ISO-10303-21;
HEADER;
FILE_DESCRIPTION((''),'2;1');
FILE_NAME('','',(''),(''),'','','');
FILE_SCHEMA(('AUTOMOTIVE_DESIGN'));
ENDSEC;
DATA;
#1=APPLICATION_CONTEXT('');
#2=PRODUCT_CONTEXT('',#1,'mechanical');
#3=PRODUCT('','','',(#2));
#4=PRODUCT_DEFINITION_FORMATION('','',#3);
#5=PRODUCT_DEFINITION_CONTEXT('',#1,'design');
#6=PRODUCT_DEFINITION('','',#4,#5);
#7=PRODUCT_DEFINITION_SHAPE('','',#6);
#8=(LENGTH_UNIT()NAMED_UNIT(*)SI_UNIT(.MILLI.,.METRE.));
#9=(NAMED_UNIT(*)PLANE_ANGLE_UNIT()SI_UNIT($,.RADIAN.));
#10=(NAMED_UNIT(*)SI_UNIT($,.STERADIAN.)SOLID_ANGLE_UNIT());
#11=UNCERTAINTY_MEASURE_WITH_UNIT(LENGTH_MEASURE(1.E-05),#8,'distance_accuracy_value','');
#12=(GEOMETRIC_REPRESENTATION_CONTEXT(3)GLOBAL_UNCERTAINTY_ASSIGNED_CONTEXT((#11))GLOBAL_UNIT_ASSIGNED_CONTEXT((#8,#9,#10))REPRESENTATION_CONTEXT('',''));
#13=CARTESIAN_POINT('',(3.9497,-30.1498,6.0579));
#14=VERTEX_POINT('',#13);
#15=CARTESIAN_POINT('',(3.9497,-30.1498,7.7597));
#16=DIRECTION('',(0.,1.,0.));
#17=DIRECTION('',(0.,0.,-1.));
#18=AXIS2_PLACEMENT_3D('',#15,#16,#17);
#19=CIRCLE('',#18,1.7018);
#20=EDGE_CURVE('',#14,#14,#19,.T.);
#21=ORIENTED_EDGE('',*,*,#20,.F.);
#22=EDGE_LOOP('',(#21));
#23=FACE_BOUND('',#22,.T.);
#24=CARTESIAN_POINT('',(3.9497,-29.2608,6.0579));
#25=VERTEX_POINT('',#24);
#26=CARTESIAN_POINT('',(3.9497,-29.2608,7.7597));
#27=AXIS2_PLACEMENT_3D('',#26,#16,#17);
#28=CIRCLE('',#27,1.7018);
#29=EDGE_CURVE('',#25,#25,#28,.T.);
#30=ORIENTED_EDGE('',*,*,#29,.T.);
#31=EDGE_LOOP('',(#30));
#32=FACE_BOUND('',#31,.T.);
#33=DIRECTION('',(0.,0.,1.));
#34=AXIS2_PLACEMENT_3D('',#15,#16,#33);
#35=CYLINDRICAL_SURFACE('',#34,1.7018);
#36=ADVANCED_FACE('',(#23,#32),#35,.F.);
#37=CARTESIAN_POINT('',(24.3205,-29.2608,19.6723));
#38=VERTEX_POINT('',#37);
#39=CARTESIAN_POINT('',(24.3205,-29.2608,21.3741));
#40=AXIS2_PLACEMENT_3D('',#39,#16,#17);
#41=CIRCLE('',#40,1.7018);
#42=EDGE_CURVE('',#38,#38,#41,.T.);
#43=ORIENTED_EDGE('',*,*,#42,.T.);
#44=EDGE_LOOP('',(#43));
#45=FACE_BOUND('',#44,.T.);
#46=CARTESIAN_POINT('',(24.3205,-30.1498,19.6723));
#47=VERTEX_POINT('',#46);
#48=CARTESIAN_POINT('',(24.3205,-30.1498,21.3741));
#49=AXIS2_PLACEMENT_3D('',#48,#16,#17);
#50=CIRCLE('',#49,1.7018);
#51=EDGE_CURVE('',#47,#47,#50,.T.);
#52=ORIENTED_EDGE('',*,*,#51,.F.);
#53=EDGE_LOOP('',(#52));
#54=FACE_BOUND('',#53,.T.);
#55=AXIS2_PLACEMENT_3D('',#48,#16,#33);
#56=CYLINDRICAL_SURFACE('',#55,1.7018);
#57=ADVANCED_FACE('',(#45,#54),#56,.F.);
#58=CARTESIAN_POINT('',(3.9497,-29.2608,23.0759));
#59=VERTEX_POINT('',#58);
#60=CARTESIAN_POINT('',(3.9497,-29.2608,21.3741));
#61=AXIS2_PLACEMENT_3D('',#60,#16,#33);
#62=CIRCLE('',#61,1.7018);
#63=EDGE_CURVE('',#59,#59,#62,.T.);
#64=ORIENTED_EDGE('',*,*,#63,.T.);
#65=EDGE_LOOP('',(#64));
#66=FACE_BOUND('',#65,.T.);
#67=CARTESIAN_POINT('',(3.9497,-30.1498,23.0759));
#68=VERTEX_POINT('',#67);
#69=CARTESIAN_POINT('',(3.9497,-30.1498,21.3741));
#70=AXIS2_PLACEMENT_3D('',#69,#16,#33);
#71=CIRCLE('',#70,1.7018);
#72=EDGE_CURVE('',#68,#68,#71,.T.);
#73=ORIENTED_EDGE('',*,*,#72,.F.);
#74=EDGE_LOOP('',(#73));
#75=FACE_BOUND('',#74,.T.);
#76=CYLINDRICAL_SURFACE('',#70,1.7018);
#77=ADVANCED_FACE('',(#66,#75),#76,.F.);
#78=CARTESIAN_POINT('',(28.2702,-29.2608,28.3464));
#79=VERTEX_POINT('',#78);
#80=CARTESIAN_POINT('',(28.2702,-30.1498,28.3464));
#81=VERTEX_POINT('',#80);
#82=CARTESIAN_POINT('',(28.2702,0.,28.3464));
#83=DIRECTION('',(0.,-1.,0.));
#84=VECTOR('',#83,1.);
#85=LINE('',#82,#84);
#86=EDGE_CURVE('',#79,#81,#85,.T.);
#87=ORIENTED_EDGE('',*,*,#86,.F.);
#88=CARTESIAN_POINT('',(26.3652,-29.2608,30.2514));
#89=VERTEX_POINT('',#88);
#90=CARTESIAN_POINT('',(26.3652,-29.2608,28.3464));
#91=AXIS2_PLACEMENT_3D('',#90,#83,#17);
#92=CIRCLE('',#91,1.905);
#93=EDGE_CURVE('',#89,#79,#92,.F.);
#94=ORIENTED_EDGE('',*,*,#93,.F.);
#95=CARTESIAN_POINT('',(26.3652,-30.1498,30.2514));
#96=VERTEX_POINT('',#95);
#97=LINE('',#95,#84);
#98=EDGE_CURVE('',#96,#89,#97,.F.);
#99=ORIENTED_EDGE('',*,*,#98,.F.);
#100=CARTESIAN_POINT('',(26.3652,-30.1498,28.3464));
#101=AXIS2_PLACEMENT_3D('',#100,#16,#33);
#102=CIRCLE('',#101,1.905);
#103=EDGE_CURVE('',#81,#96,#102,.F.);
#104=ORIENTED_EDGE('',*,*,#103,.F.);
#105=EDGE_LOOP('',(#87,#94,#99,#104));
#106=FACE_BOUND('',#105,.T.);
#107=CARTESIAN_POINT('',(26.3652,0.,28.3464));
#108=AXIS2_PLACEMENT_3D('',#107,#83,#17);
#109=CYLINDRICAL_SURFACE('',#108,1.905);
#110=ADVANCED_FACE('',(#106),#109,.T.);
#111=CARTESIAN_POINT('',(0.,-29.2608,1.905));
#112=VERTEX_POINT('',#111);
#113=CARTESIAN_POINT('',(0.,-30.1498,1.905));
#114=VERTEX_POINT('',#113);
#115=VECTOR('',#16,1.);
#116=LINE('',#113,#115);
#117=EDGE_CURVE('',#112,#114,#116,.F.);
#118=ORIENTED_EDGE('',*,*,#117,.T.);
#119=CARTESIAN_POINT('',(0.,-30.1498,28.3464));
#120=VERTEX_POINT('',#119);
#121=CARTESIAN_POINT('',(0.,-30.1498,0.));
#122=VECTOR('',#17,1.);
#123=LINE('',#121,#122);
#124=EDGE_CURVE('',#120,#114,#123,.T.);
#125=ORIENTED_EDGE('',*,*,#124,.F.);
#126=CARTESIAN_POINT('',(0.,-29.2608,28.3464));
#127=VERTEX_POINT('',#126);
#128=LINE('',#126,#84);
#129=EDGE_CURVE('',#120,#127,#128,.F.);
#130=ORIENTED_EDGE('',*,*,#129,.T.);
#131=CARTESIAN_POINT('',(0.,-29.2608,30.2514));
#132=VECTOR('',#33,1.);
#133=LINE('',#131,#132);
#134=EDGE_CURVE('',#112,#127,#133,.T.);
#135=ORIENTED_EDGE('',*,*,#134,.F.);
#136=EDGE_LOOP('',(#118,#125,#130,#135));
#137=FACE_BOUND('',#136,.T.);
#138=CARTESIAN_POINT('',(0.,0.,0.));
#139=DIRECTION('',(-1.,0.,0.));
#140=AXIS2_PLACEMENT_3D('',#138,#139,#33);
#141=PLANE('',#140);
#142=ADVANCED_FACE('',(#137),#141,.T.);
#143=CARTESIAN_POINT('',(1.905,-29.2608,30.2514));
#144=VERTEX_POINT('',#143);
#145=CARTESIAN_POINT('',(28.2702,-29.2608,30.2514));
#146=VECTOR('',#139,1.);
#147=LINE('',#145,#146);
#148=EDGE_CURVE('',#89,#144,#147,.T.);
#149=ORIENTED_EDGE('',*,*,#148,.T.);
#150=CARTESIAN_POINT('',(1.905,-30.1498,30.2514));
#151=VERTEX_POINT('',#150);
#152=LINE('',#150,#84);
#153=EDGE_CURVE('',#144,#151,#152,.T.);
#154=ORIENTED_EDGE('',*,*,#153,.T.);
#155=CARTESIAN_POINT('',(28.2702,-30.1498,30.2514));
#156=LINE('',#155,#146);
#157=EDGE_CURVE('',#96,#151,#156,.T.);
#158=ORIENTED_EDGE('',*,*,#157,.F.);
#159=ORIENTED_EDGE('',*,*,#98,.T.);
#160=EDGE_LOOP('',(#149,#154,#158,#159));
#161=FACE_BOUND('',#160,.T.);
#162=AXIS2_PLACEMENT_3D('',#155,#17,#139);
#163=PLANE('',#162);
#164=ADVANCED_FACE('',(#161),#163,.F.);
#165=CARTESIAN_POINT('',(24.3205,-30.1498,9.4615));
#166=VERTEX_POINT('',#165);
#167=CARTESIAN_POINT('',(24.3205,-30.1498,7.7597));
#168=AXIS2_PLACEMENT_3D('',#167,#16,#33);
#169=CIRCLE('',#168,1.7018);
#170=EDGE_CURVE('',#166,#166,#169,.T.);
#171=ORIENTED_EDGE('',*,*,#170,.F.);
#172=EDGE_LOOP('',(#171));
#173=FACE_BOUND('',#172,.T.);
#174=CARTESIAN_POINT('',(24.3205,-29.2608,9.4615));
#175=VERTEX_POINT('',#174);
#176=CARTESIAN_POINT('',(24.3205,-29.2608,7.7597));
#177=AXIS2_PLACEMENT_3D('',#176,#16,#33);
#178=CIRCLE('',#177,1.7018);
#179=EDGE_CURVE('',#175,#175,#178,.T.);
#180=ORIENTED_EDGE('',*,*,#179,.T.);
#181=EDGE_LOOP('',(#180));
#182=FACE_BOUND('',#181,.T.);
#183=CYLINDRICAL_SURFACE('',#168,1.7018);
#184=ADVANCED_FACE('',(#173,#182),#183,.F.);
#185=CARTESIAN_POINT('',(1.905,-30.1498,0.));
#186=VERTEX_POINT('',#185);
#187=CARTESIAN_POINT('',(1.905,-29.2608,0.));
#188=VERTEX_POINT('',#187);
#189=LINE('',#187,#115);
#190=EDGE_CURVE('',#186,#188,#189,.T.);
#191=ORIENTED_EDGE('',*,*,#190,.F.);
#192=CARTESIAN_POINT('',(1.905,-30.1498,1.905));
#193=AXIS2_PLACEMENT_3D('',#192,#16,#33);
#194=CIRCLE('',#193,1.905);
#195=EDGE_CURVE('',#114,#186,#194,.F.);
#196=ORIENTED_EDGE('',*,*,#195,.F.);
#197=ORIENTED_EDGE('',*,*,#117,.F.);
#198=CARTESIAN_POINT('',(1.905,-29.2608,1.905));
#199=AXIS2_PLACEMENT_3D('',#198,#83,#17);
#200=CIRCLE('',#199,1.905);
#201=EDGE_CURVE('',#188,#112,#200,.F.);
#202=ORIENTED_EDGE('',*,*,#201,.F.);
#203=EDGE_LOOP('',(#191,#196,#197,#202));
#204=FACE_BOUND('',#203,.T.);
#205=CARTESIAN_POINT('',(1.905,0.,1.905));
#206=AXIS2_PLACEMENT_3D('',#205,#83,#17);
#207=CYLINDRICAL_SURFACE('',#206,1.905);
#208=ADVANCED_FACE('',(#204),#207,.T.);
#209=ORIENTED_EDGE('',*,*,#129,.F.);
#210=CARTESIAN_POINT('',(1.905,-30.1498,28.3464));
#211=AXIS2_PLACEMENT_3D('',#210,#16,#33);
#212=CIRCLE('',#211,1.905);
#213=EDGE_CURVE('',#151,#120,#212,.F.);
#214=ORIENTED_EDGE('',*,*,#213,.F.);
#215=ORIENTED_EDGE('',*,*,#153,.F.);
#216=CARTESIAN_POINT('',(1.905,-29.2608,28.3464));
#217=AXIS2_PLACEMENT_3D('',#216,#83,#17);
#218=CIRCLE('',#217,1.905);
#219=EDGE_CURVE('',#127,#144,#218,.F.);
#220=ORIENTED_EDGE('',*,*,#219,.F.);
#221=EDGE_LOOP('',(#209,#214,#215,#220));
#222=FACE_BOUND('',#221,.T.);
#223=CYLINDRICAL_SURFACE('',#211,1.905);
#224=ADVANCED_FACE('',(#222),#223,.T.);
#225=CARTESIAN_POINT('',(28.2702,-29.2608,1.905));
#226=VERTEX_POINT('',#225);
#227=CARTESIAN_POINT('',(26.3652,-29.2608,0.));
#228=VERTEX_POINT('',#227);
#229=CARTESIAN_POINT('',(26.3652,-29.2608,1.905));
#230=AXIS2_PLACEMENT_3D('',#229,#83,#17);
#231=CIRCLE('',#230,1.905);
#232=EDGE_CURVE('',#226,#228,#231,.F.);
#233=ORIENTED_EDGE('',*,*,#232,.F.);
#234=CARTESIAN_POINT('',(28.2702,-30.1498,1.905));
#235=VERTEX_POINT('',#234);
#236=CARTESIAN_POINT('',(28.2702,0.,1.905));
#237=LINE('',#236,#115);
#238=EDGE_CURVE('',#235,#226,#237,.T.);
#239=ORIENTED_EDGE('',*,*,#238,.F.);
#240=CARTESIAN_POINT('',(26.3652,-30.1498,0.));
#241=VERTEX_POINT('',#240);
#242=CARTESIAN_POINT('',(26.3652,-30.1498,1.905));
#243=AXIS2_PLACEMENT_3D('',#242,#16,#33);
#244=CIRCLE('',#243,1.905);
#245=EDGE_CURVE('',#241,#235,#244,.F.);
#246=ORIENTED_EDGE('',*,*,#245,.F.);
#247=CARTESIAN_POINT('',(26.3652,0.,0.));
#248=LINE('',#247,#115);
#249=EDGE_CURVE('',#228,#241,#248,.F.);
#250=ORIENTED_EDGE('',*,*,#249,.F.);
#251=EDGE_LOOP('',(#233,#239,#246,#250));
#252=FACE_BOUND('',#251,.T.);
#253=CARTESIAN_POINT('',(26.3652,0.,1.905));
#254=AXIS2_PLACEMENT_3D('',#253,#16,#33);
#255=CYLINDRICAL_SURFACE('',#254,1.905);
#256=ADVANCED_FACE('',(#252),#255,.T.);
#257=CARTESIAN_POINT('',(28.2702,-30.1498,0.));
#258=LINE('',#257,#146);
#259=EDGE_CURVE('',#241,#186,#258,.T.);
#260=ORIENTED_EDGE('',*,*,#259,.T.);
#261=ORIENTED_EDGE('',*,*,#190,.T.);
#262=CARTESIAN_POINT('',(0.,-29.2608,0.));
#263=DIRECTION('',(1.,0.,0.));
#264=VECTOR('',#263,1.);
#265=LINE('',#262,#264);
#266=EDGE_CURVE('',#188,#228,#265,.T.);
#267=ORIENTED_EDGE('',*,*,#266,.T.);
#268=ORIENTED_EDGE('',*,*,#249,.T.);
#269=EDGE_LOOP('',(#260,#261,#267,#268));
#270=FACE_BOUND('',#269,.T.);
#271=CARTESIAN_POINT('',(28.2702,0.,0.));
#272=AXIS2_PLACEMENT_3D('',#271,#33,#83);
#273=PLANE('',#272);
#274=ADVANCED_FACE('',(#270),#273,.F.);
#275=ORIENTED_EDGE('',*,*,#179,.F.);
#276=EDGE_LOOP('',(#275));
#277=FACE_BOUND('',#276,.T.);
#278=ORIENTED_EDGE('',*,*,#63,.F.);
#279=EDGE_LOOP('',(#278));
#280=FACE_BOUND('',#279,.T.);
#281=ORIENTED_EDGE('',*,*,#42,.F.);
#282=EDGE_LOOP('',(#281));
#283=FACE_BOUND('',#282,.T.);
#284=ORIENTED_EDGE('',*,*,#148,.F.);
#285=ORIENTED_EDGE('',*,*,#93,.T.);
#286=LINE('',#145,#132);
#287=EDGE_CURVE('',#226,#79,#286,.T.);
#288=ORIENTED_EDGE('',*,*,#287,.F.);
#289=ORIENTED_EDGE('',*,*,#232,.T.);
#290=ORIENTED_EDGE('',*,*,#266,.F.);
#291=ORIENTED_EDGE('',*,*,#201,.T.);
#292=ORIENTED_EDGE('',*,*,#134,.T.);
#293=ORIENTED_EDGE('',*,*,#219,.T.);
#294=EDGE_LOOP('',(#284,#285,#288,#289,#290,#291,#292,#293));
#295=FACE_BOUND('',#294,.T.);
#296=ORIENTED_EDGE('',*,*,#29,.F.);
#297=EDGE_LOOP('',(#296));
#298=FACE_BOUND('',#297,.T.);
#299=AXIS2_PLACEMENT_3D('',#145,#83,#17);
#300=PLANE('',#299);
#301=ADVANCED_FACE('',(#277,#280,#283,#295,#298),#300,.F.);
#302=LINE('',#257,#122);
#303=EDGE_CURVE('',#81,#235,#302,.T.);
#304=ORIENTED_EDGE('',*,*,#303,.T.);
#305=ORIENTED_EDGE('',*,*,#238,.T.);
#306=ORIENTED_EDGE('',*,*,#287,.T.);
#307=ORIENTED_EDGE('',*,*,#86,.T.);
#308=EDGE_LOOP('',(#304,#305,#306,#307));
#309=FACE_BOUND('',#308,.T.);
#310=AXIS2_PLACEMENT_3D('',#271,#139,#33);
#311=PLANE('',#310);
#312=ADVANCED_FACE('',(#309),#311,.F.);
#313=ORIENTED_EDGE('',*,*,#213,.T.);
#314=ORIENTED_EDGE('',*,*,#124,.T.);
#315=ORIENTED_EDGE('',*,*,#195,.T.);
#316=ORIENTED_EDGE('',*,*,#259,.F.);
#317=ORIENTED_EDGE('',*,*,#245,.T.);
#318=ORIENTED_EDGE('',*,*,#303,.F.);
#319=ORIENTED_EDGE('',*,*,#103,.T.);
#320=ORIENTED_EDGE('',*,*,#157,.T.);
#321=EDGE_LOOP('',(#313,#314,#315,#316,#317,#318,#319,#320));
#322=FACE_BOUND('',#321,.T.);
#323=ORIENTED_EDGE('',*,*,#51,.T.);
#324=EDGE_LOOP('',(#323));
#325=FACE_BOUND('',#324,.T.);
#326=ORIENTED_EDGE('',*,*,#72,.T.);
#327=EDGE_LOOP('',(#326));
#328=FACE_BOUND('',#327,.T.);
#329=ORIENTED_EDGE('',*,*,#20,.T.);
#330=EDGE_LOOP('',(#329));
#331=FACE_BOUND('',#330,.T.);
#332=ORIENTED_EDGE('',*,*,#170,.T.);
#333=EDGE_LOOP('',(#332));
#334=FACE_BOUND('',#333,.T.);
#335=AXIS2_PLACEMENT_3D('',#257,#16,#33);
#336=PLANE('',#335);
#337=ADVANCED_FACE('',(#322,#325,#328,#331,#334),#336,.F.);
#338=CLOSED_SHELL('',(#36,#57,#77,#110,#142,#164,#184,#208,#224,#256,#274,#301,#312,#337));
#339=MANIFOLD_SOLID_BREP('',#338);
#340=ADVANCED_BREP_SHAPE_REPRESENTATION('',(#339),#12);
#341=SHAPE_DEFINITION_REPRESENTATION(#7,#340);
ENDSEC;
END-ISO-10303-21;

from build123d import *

# Parameters (mm, degrees)
BOSS_EXTRUDE1_DEPTH     = 28.2702
SKETCH2_R               = 3.556
SKETCH2_R_2             = 1.4986
SKETCH2_R_3             = 2.0066
MOTOR_MOUNT_HOLES_DEPTH = 50.437835996
SKETCH3_R               = 1.7018
PLATE_MOUNT_HOLES_DEPTH = 51.700550556
SKETCH4_W               = 28.2702
SKETCH4_H               = 29.2608
CUT_EXTRUDE1_DEPTH      = 50.437835996
FILLET1_R               = 1.905


with BuildPart() as part:
    # Sketch1 → Boss-Extrude1 (new body)
    with BuildSketch(Plane(origin=(0, 0, 0), x_dir=(0, 0, -1), z_dir=(1, 0, 0))):
        Polygon((0, 0), (0, -30.1498), (-30.2514, -30.1498), (-30.2514, -29.2608), (-3.1242, -29.2608), (-3.1242, 0), align=None)
    extrude(amount=BOSS_EXTRUDE1_DEPTH)

    # Sketch2 → Motor_Mount_holes (cut, through all)
    with BuildSketch(Plane.XY.offset(3.1242)):
        with Locations((14.1351, -11.6586)):
            Circle(SKETCH2_R)
        with Locations((14.1351, -3.1496)):
            Circle(SKETCH2_R_2)
        with Locations((5.2451, -11.6586)):
            Circle(SKETCH2_R_3)
        with Locations(Location((23.0251, -11.6586, 0), (0, 0, 180))):
            Circle(SKETCH2_R_3)
        with Locations(Location((14.1351, -20.1676, 0), (0, 0, 180))):
            Circle(SKETCH2_R_2)
    extrude(amount=-MOTOR_MOUNT_HOLES_DEPTH, mode=Mode.SUBTRACT)

    # Sketch3 → Plate_Mount_Holes (cut, through all)
    with BuildSketch(Plane(origin=(0, -29.2608, 0), x_dir=(1, 0, 0), z_dir=(0, 1, 0))):
        with Locations(Location((24.3205, -7.7597, 0), (0, 0, 270))):
            Circle(SKETCH3_R)
        with Locations(Location((3.9497, -7.7597, 0), (0, 0, 90))):
            Circle(SKETCH3_R)
        with Locations(Location((3.9497, -21.3741, 0), (0, 0, 270))):
            Circle(SKETCH3_R)
        with Locations(Location((24.3205, -21.3741, 0), (0, 0, 90))):
            Circle(SKETCH3_R)
    extrude(amount=-PLATE_MOUNT_HOLES_DEPTH, mode=Mode.SUBTRACT)

    # Sketch4 → Cut-Extrude1 (cut, through all)
    with BuildSketch(Plane.XY.offset(3.1242)):
        with Locations((14.1351, -14.6304)):
            Rectangle(SKETCH4_W, SKETCH4_H)
    extrude(amount=-CUT_EXTRUDE1_DEPTH, mode=Mode.SUBTRACT)

    # Fillet1
    fillet1_edges = [part.edges().sort_by_distance(p)[0] for p in [
        (28.2702, -29.7053, 30.2514),
        (28.2702, -29.7053, 0),
        (0, -29.7053, 0),
        (0, -29.7053, 30.2514),
    ]]
    fillet(fillet1_edges, radius=FILLET1_R)


solid = part.part
